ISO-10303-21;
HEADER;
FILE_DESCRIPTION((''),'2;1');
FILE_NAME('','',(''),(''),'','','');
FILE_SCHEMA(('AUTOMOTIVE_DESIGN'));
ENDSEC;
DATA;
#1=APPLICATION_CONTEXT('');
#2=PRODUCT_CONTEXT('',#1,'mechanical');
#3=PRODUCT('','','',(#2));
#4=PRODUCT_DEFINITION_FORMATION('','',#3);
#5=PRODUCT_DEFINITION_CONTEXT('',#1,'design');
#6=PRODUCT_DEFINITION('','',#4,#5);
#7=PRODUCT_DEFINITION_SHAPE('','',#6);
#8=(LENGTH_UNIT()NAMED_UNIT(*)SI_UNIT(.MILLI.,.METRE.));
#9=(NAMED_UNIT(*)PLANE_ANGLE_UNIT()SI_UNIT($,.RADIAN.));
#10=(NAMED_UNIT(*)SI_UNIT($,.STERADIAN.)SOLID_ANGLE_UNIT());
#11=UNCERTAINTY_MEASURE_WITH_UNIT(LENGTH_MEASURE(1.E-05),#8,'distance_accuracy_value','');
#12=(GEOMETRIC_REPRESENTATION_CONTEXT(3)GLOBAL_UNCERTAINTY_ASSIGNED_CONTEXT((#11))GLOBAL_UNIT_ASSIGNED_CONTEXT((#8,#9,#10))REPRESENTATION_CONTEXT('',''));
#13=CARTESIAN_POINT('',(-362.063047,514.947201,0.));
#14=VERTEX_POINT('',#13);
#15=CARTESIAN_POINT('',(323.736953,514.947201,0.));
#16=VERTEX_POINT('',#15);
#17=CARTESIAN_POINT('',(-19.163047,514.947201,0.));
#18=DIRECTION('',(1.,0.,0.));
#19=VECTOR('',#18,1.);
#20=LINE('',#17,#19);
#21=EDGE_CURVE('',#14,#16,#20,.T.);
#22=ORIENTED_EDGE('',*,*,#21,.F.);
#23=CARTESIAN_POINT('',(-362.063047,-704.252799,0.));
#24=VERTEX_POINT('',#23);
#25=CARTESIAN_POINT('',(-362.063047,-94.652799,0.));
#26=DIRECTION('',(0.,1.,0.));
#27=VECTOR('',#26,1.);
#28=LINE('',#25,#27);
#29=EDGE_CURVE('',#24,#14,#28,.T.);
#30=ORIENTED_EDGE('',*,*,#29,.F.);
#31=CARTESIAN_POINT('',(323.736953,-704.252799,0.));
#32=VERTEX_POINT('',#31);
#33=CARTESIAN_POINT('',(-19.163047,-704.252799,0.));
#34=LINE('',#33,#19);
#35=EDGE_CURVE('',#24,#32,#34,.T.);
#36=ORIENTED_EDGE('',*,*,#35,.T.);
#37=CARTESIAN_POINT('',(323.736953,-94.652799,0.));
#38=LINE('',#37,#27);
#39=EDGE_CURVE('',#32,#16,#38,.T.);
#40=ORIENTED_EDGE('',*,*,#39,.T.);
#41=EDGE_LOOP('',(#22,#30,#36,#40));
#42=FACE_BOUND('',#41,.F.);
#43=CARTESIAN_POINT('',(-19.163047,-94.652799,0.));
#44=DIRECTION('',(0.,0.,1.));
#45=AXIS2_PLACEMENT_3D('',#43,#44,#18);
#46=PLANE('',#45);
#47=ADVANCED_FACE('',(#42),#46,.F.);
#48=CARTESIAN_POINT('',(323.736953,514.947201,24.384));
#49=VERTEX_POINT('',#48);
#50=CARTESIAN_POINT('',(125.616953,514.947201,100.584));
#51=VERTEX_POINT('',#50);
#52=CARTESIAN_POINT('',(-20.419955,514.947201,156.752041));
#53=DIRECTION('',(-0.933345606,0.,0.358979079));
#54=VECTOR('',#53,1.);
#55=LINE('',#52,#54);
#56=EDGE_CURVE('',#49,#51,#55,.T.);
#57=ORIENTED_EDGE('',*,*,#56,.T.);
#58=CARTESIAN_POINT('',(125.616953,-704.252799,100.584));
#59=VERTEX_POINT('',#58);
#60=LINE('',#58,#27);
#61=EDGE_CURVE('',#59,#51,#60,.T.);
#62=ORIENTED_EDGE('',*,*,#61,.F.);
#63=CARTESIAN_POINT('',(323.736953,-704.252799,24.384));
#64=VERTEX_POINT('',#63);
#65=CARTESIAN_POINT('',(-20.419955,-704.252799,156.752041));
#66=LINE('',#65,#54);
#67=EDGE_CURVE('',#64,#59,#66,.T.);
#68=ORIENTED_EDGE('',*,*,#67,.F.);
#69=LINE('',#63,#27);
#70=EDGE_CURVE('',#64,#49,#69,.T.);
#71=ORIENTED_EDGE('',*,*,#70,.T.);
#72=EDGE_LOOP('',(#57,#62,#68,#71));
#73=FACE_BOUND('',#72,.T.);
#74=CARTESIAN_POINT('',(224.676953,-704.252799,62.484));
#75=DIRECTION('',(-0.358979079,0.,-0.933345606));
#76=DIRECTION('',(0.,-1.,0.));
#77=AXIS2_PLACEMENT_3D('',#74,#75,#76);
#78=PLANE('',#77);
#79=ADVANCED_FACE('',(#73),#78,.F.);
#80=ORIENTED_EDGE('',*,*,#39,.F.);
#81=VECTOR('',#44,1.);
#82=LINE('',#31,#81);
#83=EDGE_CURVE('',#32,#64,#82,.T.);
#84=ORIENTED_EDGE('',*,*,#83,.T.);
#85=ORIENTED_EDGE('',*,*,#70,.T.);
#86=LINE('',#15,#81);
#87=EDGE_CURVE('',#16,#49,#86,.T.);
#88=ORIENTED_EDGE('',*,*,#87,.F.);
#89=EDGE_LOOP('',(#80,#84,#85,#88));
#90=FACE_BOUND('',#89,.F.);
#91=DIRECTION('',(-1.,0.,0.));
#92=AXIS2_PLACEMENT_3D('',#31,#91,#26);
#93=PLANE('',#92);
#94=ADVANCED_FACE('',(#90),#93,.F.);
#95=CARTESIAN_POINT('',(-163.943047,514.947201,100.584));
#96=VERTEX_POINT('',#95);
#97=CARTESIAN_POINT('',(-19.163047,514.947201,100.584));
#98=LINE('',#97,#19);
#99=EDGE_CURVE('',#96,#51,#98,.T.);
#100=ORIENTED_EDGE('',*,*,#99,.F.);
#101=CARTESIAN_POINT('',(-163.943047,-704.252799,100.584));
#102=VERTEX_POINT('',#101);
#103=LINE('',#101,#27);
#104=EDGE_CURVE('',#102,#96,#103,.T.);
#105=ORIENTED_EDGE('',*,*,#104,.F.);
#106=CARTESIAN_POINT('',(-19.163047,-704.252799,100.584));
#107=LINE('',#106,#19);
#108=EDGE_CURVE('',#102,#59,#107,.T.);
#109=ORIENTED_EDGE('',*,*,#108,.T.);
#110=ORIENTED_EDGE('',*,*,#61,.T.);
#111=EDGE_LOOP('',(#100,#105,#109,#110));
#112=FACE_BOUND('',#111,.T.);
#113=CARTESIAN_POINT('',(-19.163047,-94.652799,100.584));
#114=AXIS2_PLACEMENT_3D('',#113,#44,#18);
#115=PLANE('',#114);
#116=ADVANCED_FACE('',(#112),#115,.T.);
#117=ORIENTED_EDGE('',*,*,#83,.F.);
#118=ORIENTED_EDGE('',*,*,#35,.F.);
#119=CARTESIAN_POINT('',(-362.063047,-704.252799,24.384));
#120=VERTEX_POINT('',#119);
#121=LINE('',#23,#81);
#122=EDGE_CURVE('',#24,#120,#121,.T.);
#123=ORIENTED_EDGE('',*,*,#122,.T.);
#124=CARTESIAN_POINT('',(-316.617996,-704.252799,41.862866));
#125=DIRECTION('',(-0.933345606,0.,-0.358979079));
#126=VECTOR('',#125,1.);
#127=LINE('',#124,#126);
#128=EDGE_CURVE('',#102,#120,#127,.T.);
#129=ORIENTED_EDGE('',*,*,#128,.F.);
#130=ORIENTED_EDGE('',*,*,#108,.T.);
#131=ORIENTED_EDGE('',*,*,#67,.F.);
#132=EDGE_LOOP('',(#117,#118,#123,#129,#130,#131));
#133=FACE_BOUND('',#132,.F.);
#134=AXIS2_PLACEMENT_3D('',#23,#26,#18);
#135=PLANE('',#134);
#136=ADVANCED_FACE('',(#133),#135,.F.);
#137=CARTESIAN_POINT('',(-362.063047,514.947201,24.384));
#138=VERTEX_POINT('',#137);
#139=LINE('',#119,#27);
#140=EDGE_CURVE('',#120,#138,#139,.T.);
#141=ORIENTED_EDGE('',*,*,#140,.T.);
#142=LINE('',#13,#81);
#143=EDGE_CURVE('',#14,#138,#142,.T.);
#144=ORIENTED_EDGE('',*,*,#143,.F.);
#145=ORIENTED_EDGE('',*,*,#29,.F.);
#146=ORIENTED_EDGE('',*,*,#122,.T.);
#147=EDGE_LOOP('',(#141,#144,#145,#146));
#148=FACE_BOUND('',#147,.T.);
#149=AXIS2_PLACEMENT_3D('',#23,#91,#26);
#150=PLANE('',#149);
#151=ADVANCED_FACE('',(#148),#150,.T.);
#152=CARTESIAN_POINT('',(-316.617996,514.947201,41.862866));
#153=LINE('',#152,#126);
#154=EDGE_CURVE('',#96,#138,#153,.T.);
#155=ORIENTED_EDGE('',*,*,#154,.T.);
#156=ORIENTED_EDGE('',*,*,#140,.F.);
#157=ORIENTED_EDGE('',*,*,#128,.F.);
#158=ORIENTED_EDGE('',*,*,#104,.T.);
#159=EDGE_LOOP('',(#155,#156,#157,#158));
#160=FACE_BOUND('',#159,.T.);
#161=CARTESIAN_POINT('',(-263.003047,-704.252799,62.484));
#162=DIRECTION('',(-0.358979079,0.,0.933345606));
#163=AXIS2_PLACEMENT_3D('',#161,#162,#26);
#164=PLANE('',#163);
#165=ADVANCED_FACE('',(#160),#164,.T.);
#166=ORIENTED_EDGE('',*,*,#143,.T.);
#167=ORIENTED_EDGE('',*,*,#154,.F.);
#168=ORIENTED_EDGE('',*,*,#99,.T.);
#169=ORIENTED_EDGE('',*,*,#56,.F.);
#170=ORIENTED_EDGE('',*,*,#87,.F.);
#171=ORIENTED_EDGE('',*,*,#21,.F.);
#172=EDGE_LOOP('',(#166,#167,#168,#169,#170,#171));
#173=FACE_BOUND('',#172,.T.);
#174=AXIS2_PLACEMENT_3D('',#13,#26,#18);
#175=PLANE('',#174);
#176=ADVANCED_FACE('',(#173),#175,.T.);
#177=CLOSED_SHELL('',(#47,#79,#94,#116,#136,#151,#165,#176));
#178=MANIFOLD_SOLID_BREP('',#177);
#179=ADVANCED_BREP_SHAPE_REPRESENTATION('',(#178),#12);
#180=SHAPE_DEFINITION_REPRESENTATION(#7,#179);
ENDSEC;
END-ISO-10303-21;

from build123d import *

# Parameters (mm, degrees)
F0_W     = 685.8
F0_H     = 1219.2
F1_DEPTH = 100.584
F2_SIZE2 = 76.2
F2_SIZE  = 198.12
F3_SIZE2 = 198.12
F3_SIZE  = 76.2


with BuildPart() as f1:
    # F0 (on Top) → F1 (new body)
    with BuildSketch(Plane.XY):
        with Locations((-19.1630474292, -94.6527993087)):
            Rectangle(F0_W, F0_H)
    extrude(amount=F1_DEPTH)

    # F2
    f2_edges = [f1.edges().sort_by_distance(p)[0] for p in [
        (-362.063047, -94.652799, 100.584),
    ]]
    f2_side = f1.faces().sort_by_distance((-19.163047, -94.652799, 100.584))[0]
    chamfer(f2_edges, length=F2_SIZE, length2=F2_SIZE2, reference=f2_side)

    # F3
    f3_edges = [f1.edges().sort_by_distance(p)[0] for p in [
        (323.736953, -94.652799, 100.584),
    ]]
    f3_side = f1.faces().sort_by_distance((323.736953, -94.652799, 50.292))[0]
    chamfer(f3_edges, length=F3_SIZE, length2=F3_SIZE2, reference=f3_side)


solid = f1.part
